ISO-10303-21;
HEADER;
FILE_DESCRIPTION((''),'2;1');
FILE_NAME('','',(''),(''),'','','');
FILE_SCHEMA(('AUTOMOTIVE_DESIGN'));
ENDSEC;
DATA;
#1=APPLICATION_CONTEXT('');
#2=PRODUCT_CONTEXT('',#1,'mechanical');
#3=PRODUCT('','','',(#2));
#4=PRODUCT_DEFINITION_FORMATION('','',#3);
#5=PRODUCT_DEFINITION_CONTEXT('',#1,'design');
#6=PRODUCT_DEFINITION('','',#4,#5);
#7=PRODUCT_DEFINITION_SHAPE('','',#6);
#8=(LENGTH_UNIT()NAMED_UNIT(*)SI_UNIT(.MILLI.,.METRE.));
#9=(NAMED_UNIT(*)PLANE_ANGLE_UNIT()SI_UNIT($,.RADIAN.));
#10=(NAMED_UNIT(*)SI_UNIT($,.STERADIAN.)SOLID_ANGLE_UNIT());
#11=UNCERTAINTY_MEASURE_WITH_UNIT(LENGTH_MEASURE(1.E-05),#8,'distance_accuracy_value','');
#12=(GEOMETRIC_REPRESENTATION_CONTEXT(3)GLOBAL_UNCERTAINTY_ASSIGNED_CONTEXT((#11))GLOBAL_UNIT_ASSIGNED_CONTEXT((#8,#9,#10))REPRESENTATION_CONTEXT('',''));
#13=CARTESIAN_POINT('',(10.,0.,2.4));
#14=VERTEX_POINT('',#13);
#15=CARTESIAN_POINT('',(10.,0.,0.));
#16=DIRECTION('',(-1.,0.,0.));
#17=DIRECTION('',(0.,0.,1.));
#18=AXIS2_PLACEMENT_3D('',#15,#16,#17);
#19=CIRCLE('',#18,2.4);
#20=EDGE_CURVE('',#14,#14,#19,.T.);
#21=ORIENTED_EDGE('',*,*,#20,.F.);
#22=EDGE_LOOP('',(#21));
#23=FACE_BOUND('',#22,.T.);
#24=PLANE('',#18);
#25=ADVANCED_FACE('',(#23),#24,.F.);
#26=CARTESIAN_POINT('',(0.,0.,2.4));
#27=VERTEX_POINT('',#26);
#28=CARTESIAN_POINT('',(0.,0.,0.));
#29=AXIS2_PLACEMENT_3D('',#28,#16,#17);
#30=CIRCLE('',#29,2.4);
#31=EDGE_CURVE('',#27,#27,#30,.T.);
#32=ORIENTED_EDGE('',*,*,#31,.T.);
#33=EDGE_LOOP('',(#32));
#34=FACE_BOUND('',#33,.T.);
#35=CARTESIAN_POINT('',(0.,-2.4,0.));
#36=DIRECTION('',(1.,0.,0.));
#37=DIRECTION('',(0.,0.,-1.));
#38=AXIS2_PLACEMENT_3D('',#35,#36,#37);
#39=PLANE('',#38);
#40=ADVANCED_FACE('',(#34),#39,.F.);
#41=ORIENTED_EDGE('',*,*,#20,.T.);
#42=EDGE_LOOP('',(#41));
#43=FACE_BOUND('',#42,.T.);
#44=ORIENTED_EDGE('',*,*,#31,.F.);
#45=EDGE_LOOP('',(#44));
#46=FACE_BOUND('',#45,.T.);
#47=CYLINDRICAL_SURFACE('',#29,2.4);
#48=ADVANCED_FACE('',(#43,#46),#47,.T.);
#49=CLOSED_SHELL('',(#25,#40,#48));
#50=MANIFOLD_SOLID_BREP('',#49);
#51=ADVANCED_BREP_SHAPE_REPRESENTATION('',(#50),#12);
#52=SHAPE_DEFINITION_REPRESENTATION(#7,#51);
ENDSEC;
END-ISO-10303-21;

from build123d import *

# Parameters (mm, degrees)
SKETCH1_W = 10
SKETCH1_H = 2.4


with BuildPart() as part:
    # Sketch1 → Revolve-Thin1 (revolve)
    with BuildSketch(Plane.XY, mode=Mode.PRIVATE) as revolve_thin1_sk:
        with Locations((5, 1.2)):
            Rectangle(SKETCH1_W, SKETCH1_H)
    revolve(revolve_thin1_sk.sketch.rotate(Axis((0, 0, 0), (1, 0, 0)), 90), axis=Axis((0, 0, 0), (1, 0, 0)))


solid = part.part
